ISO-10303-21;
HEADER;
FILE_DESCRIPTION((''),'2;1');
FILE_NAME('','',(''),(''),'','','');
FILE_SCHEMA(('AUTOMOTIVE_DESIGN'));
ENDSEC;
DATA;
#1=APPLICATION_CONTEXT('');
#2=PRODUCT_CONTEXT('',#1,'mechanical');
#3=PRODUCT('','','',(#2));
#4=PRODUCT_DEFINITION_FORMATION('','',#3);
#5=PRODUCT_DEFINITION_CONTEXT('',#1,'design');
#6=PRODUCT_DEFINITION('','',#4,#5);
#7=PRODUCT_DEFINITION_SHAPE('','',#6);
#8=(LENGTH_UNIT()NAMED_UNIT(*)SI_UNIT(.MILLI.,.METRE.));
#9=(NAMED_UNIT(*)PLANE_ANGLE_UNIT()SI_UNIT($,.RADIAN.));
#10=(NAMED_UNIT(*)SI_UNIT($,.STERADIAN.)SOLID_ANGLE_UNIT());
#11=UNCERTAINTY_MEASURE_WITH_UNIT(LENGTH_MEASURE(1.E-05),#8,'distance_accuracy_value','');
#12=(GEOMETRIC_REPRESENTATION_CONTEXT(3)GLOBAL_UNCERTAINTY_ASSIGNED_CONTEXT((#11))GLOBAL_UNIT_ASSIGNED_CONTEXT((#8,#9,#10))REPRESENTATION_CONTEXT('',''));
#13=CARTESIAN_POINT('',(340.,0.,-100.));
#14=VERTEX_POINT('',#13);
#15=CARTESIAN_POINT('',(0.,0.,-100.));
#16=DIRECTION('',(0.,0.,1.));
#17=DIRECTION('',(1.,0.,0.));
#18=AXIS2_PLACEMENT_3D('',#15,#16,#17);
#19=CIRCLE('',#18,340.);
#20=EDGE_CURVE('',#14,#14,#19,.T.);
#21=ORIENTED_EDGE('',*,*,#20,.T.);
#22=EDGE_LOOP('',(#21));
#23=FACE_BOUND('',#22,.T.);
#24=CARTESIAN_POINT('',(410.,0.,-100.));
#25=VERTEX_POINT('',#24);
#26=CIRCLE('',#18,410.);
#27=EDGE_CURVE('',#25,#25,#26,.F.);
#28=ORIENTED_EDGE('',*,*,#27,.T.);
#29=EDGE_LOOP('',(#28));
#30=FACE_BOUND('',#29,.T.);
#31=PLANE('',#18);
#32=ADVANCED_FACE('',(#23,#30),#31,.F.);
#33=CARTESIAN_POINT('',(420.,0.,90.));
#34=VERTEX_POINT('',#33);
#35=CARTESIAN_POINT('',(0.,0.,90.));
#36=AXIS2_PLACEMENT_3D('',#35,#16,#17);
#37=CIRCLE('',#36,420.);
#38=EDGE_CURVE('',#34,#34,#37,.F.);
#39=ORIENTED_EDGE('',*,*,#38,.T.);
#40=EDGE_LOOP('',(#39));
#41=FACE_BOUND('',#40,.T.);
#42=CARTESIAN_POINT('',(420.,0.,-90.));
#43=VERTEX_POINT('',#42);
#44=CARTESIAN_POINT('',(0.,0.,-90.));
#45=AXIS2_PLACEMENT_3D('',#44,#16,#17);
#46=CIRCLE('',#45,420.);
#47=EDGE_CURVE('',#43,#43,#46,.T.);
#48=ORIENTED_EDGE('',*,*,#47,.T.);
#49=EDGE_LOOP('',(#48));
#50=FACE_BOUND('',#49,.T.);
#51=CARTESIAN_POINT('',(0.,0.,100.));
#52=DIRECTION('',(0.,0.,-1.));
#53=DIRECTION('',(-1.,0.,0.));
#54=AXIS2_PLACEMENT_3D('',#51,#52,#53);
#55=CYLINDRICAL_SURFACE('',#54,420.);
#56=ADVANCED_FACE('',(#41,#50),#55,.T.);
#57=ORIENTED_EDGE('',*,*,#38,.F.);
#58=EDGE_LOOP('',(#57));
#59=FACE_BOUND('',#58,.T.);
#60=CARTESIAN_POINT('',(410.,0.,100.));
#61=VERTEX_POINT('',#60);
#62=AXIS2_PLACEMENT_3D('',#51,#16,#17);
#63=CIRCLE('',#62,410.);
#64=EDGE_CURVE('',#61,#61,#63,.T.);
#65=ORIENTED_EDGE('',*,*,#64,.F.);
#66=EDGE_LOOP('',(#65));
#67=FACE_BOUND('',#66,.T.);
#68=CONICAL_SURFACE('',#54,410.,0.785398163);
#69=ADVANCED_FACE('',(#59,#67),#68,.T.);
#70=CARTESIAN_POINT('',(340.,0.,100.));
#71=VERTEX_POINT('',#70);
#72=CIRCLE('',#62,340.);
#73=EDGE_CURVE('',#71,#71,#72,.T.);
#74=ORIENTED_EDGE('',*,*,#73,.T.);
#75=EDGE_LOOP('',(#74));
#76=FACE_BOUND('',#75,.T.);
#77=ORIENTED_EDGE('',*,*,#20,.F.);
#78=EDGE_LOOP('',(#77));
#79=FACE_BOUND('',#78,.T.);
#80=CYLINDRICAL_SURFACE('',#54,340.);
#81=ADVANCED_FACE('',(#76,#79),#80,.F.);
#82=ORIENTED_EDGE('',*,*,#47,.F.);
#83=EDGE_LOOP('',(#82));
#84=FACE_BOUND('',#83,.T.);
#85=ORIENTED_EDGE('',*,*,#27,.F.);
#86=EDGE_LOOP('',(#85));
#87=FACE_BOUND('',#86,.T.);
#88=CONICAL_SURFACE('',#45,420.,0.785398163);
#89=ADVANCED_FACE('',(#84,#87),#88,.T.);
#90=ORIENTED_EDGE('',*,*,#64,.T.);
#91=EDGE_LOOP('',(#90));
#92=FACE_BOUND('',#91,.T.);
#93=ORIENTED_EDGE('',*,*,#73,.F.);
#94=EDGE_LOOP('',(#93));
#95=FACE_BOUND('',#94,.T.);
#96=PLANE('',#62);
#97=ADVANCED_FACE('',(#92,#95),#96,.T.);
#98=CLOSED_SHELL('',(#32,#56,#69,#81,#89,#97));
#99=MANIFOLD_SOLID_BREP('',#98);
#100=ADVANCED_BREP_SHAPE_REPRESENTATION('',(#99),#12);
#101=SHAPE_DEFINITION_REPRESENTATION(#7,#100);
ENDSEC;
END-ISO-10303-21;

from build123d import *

# Parameters (mm, degrees)
SKETCH_1_R      = 420
SKETCH_1_R_2    = 340
EXTRUDE_1_DEPTH = 100
CHAMFER_1_SIZE  = 10


with BuildPart() as part:
    # 草图1 → 凸台-拉伸1 (new, symmetric)
    with BuildSketch(Plane.XY):
        Circle(SKETCH_1_R)
        Circle(SKETCH_1_R_2, mode=Mode.SUBTRACT)
    extrude(amount=EXTRUDE_1_DEPTH, both=True)

    # 倒角1
    chamfer_1_edges = [part.edges().sort_by_distance(p)[0] for p in [
        (-420, 0, -100),
        (-420, 0, 100),
    ]]
    chamfer(chamfer_1_edges, length=CHAMFER_1_SIZE)


solid = part.part
